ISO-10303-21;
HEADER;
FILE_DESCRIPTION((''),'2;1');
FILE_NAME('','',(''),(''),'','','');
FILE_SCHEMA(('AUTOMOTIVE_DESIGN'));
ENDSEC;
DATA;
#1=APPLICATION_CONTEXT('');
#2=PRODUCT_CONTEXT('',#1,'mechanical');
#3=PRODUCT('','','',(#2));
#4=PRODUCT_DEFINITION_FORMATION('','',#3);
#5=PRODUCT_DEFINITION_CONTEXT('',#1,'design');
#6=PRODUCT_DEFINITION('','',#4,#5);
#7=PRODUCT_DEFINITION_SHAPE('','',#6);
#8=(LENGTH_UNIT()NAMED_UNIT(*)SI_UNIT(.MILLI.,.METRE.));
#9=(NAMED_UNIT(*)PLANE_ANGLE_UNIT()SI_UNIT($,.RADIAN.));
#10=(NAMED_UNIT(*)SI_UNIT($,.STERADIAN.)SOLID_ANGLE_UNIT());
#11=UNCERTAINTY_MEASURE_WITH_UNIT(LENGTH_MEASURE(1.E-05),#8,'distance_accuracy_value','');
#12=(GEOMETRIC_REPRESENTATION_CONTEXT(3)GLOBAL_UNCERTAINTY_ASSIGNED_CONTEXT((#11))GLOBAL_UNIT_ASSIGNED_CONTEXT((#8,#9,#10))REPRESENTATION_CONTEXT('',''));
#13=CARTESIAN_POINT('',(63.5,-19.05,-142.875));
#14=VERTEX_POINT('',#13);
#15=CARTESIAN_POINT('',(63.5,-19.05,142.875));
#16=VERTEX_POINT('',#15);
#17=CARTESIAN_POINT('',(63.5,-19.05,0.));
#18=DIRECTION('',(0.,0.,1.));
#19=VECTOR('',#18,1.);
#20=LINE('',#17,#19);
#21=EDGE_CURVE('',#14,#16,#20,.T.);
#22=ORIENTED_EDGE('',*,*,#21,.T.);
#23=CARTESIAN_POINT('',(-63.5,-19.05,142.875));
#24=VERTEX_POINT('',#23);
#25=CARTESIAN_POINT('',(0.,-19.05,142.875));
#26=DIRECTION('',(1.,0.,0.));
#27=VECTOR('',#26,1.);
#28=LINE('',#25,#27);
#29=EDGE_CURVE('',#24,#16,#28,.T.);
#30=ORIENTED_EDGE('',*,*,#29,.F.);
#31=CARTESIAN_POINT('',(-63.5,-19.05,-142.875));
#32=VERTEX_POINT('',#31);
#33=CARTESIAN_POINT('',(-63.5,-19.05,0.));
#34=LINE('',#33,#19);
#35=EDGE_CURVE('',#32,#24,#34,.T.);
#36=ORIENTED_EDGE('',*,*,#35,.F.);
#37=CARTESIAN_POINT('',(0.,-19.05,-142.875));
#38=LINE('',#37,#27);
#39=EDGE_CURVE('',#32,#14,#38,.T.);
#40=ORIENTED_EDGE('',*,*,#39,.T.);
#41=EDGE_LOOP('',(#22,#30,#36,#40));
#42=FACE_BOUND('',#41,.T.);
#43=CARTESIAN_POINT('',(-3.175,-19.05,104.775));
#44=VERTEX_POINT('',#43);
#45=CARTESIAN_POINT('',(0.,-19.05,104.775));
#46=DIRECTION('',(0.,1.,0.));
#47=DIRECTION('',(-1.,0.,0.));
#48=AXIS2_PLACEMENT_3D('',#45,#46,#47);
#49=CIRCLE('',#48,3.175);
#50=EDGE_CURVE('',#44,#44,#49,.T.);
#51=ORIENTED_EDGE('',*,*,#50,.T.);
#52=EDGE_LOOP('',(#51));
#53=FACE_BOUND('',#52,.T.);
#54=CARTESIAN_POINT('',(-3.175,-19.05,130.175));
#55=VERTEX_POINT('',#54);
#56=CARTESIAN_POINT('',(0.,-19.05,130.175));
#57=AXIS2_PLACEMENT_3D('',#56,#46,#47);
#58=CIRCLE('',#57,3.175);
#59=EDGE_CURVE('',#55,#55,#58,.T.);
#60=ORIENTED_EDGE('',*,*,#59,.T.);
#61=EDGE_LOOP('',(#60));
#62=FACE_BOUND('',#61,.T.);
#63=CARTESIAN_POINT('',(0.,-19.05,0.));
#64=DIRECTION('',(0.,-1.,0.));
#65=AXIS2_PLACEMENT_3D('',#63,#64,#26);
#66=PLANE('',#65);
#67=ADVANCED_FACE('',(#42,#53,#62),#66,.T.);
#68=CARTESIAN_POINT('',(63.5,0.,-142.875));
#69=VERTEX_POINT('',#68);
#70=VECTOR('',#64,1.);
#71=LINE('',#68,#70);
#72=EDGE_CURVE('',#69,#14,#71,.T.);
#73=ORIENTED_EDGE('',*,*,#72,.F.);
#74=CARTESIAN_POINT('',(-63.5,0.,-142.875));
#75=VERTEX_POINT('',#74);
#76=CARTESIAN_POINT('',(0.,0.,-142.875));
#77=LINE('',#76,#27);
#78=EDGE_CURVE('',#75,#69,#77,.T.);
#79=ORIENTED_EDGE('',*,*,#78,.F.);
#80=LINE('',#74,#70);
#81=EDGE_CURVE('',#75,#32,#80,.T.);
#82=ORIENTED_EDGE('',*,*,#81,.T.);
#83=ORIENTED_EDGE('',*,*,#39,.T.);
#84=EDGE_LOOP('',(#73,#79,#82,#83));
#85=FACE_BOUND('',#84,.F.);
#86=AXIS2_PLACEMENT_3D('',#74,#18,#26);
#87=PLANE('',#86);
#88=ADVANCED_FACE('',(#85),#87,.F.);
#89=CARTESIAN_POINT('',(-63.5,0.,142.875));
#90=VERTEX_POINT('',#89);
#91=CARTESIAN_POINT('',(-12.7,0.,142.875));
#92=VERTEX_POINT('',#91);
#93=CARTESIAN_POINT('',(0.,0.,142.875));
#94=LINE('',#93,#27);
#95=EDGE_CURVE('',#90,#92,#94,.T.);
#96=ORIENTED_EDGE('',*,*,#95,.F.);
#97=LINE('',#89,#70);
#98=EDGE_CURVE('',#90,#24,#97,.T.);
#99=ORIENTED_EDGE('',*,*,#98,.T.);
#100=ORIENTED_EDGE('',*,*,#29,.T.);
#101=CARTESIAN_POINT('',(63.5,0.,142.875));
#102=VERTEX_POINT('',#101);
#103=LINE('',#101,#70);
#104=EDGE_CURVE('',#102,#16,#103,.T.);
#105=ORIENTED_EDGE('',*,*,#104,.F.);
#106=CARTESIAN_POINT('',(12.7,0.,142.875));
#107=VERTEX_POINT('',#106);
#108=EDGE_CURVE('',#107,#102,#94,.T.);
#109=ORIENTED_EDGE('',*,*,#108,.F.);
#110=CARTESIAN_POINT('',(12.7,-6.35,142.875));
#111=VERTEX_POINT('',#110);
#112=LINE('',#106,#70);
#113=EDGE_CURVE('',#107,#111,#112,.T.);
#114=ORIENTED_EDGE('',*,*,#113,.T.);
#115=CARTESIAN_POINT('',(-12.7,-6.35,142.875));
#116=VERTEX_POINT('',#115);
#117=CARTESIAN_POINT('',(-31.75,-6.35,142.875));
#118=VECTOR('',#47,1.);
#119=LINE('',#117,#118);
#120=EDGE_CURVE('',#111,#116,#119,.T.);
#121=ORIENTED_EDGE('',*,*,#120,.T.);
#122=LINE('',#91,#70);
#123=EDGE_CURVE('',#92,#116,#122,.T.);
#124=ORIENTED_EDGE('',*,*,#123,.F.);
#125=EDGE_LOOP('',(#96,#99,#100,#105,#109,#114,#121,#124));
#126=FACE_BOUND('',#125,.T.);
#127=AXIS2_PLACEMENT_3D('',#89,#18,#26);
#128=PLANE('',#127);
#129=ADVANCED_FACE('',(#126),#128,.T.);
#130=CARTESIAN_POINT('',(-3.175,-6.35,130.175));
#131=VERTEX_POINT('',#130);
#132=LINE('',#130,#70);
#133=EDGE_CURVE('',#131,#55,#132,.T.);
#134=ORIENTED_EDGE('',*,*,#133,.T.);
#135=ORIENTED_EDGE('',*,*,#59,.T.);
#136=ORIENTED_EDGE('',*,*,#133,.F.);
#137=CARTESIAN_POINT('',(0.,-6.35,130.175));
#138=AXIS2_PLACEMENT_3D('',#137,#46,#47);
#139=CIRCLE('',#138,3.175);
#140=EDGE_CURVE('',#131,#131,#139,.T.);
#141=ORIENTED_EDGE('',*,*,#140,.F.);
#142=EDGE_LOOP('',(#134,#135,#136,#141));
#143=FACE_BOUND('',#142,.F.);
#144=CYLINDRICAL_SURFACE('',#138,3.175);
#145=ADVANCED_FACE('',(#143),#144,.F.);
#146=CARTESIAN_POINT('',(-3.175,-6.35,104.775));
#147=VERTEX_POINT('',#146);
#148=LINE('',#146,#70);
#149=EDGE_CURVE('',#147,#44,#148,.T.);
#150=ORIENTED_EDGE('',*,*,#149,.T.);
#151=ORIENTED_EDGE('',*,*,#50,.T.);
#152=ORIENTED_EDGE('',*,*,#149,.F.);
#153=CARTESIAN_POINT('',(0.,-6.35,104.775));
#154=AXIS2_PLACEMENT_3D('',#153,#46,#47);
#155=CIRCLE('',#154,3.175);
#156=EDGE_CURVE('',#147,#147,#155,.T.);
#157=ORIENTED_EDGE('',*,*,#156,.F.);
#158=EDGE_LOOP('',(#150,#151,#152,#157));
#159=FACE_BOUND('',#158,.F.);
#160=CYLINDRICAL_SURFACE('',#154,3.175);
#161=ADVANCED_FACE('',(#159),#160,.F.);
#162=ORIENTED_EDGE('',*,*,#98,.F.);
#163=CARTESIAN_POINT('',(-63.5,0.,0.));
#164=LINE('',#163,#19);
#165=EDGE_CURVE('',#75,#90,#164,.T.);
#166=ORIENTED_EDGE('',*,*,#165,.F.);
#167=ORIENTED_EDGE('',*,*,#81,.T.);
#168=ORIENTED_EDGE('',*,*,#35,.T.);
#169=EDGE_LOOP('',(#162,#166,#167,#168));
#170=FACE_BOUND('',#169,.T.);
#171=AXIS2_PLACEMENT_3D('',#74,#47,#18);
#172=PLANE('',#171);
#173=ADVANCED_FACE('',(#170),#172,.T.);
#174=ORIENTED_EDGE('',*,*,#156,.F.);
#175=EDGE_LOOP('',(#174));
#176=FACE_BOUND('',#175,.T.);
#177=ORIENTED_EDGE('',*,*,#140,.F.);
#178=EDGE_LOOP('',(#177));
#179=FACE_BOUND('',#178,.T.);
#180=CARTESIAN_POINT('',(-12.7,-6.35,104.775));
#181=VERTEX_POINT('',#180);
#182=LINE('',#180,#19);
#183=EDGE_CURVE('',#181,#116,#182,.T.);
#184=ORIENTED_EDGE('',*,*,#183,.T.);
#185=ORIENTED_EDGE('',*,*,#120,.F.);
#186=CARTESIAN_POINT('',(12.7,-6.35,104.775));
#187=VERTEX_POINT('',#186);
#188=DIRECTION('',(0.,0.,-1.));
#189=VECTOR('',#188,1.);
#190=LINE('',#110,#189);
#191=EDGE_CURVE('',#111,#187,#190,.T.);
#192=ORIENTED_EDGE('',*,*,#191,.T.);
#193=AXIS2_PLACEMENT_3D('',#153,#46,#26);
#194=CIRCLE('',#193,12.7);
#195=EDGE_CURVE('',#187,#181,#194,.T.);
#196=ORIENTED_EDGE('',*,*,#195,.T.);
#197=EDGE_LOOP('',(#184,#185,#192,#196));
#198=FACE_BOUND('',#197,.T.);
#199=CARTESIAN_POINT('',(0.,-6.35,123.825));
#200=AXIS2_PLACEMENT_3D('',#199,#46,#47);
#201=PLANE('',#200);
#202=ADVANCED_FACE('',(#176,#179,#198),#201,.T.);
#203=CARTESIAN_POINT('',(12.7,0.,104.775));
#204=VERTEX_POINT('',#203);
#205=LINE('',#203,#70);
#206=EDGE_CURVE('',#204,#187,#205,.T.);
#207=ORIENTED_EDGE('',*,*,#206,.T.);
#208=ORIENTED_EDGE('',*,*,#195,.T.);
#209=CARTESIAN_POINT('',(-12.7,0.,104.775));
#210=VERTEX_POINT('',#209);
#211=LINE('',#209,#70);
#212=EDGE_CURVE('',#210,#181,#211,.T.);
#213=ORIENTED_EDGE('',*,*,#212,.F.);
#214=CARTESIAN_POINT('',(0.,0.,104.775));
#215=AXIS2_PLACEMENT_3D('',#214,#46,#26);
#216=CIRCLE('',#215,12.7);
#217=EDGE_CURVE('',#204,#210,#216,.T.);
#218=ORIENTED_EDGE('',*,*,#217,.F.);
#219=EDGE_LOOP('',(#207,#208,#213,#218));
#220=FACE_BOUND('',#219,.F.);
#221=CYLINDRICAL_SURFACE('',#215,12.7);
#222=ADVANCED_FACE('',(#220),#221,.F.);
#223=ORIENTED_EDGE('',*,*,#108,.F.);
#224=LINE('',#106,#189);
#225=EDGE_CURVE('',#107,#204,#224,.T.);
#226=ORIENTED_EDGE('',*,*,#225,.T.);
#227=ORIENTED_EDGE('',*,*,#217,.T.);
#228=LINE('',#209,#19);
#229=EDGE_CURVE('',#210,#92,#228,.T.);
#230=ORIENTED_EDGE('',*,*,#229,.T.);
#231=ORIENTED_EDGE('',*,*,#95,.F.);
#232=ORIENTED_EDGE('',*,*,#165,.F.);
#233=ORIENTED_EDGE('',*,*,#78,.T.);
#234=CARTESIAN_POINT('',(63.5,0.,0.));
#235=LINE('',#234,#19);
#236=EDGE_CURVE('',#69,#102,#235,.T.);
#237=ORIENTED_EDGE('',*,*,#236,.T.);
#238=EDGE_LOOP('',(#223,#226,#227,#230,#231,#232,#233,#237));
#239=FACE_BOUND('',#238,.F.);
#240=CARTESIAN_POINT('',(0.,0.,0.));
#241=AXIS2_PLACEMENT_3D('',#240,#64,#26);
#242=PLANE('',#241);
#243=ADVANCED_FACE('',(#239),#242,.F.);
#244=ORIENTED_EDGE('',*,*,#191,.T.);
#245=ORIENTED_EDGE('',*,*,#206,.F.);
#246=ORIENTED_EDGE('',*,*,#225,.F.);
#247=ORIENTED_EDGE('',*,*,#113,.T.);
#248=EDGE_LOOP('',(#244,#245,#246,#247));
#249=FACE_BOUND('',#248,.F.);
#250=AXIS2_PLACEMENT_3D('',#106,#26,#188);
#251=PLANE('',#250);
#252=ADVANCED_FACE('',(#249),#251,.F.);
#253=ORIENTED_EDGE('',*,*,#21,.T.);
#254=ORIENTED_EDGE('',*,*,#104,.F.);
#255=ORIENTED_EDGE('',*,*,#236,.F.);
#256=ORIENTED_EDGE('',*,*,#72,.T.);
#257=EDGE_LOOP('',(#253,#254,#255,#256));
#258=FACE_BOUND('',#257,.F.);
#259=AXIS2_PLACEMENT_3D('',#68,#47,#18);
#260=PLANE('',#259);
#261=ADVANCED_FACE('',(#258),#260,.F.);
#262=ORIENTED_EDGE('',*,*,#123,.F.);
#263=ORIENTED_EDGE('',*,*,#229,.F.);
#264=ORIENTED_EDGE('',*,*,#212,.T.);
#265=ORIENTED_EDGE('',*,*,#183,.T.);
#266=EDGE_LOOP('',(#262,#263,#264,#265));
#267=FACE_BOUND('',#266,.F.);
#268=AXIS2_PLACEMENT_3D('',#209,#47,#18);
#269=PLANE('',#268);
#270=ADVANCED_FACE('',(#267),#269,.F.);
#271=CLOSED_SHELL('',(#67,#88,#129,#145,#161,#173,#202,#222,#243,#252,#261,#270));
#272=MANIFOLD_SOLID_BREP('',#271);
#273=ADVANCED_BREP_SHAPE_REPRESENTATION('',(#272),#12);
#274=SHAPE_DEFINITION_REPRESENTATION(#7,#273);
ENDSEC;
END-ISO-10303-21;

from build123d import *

# Parameters (mm, degrees)
F0_W     = 127
F0_H     = 285.75
F1_DEPTH = 19.05
F3_DEPTH = 6.35
F4_R     = 3.175
F5_DEPTH = 12.701


with BuildPart() as f1:
    # F0 (on Front) → F1 (new body)
    with BuildSketch(Plane.XZ):
        Rectangle(F0_W, F0_H)
    extrude(amount=F1_DEPTH)

    # F2 (on face) → F3 (cut)
    with BuildSketch(Plane(origin=(0, 0, 0), x_dir=(-1, 0, 0), z_dir=(0, 1, 0))):
        with BuildLine():
            Line((12.7, 104.775), (12.7, 142.875))
            ThreePointArc((12.7, 142.875), (0, 155.575), (-12.7, 142.875))
            Line((-12.7, 142.875), (-12.7, 104.775))
            ThreePointArc((-12.7, 104.775), (0, 92.075), (12.7, 104.775))
        make_face()
    extrude(amount=-F3_DEPTH, mode=Mode.SUBTRACT)

    # F4 (on face) → F5 (cut, through all)
    with BuildSketch(Plane(origin=(0, -6.35, 0), x_dir=(-1, 0, 0), z_dir=(0, 1, 0))):
        with Locations((0, 104.775)):
            Circle(F4_R)
        with Locations((0, 130.175)):
            Circle(F4_R)
    extrude(amount=-F5_DEPTH, mode=Mode.SUBTRACT)


solid = f1.part
